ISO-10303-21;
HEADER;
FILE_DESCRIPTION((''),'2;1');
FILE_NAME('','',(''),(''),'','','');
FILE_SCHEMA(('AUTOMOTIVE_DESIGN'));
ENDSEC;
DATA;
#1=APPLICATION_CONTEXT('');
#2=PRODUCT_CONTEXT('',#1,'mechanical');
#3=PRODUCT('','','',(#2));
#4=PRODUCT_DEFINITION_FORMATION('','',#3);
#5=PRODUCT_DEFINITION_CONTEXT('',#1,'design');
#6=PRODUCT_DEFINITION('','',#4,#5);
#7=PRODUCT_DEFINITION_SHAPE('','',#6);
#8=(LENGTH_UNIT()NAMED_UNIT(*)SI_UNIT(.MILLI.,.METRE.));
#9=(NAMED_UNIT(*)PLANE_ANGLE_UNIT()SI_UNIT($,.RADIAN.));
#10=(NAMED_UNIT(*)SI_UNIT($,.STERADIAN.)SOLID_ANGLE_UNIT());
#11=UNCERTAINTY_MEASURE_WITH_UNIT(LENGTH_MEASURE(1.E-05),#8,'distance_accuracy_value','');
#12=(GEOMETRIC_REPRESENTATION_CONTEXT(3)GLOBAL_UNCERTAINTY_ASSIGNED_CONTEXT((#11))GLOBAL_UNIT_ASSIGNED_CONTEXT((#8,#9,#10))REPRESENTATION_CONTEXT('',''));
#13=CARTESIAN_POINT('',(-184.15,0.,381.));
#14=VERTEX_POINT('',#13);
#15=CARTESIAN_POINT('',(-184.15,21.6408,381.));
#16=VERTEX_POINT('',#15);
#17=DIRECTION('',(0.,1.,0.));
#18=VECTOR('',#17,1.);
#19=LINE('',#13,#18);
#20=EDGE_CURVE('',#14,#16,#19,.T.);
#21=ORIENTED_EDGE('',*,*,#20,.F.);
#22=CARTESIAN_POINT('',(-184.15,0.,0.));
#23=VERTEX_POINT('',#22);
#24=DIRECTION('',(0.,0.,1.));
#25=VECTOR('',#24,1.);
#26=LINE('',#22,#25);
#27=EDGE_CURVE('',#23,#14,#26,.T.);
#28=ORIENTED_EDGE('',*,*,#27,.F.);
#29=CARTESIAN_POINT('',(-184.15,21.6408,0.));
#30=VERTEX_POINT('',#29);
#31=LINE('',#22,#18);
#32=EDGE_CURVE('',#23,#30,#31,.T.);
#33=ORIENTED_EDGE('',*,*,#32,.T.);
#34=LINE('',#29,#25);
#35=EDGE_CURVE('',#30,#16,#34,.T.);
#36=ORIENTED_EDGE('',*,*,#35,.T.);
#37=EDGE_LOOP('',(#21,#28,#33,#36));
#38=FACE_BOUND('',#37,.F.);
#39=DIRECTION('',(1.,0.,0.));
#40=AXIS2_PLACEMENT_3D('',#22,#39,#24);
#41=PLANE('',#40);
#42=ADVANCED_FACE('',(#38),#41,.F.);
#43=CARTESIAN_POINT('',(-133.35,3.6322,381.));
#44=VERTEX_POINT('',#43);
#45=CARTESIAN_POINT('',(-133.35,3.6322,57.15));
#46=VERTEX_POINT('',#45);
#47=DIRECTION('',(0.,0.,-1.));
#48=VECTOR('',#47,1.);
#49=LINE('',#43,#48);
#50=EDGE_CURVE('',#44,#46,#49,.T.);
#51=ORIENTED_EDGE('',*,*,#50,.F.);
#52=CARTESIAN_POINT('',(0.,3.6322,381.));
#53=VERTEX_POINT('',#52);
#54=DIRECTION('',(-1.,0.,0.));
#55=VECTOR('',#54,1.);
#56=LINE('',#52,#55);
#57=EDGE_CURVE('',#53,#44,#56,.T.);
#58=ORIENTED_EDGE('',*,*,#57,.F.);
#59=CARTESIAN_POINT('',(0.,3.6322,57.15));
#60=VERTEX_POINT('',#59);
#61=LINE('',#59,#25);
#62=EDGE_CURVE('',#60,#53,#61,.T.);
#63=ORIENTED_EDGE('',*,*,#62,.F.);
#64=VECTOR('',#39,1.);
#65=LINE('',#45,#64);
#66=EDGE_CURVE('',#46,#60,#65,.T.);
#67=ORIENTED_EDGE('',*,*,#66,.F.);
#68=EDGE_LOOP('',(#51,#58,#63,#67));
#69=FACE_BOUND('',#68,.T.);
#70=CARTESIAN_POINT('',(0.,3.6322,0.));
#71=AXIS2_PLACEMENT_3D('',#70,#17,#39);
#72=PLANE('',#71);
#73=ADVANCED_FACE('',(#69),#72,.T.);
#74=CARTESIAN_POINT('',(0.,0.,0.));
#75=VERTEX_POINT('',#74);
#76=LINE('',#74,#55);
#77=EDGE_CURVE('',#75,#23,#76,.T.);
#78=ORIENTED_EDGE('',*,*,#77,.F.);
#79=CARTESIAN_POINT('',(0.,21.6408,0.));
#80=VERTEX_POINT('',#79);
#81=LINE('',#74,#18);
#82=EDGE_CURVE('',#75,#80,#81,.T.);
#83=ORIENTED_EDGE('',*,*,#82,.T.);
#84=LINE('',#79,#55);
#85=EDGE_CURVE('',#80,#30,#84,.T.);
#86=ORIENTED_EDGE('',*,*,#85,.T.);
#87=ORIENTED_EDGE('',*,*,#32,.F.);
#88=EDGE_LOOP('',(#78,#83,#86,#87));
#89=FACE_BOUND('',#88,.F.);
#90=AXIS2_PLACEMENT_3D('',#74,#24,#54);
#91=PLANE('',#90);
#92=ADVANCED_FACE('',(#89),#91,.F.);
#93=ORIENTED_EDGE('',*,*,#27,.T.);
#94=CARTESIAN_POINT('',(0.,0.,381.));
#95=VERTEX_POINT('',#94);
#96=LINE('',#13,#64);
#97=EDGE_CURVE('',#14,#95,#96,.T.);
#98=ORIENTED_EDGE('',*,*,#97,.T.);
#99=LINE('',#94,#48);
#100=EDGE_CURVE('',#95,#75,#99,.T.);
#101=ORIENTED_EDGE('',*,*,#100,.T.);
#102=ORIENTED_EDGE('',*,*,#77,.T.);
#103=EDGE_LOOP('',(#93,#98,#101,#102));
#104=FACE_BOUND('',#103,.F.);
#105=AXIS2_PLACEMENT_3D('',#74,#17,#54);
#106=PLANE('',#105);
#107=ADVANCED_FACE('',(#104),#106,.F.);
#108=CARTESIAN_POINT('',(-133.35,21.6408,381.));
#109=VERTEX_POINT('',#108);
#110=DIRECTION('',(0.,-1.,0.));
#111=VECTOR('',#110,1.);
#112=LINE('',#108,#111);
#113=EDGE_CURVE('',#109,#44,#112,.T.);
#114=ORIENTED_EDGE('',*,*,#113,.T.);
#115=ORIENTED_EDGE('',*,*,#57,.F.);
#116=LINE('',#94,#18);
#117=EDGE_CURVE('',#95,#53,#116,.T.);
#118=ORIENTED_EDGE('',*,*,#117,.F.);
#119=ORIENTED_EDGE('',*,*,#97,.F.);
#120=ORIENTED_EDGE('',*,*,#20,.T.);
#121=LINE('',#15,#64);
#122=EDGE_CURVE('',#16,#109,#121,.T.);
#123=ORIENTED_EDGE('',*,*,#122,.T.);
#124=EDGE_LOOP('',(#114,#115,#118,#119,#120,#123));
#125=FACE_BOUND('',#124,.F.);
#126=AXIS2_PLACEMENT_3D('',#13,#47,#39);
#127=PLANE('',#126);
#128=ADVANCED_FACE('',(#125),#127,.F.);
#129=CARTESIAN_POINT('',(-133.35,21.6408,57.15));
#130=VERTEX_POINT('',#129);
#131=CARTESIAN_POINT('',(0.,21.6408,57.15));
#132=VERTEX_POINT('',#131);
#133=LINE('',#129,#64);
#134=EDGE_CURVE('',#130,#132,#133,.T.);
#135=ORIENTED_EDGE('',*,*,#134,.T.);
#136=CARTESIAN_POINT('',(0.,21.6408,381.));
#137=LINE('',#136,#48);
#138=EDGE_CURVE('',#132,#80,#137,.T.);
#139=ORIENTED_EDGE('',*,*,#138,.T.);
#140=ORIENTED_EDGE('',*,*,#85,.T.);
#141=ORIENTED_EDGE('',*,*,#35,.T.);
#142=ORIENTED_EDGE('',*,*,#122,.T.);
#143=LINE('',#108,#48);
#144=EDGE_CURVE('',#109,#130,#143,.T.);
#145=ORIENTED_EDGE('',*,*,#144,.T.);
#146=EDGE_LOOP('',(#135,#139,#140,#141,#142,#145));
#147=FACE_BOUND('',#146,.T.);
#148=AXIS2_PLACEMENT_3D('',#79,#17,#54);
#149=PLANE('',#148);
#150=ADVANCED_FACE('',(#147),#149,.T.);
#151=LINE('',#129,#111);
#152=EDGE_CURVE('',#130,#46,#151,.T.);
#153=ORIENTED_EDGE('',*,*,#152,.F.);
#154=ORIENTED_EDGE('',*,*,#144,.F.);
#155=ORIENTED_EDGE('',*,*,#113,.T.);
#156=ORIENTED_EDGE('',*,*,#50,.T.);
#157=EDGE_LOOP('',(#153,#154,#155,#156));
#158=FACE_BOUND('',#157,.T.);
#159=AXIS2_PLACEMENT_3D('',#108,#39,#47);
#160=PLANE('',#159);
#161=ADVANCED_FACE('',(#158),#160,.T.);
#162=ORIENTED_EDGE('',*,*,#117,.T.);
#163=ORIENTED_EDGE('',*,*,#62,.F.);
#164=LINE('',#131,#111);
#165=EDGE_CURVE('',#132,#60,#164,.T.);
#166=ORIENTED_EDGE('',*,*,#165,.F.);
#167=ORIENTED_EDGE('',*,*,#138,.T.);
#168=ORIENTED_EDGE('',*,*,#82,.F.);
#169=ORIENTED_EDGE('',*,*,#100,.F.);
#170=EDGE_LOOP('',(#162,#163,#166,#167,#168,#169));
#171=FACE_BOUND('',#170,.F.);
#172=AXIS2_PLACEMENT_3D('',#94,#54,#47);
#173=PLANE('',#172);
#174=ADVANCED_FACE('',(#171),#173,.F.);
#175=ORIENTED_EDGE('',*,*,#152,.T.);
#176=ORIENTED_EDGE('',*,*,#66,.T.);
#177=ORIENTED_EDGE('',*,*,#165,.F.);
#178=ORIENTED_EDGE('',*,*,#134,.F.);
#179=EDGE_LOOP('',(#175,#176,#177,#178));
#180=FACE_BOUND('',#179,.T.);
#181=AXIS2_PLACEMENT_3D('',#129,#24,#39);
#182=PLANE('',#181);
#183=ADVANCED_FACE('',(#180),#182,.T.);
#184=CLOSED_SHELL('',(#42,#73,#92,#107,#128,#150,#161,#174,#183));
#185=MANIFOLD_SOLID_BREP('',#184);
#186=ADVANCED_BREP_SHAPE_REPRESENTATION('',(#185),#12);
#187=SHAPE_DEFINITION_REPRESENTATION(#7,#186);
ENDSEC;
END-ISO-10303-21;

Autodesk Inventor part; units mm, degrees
ref_plane "YZ Plane" through (0, 0, 0) normal (1, 0, 0) x (0, 1, 0)
ref_plane "XZ Plane" through (0, 0, 0) normal (0, 1, 0) x (-1, 0, 0)
ref_plane "XY Plane" through (0, 0, 0) normal (0, 0, 1) x (1, 0, 0)
sketch "Sketch1" plane through (0, 0, 0) normal (0, 1, 0) x (-1, 0, 0)
  line L0 (0, 0) -> (184.15, 0)
  line L1 (184.15, 0) -> (184.15, 381)
  line L2 (184.15, 381) -> (0, 381)
  line L3 (0, 381) -> (0, 0)
  dimension "d0" = 184.15
  dimension "d1" = 381
extrude "Extrusion1" add sketch "Sketch1" along normal blind 21.6408
sketch "Sketch2" plane through (0, 21.6408, 0) normal (0, 1, 0) x (1, 0, 0)
  line L0 (0, -381) -> (-133.35, -381)
  line L1 (-133.35, -381) -> (-133.35, -57.15)
  line L2 (-133.35, -57.15) -> (0, -57.15)
  line L3 (0, -57.15) -> (0, -381)
  line L4 (0, -381) -> (0, 0) projected
  line L5 (-184.15, -381) -> (0, -381) projected
  dimension "d4" = 133.35
  dimension "d5" = 323.85
  dimension "d6" = 0
  dimension "d7" = 0
extrude "Extrusion2" cut sketch "Sketch2" against normal blind 18.0086
properties part number "Case stock 1"
